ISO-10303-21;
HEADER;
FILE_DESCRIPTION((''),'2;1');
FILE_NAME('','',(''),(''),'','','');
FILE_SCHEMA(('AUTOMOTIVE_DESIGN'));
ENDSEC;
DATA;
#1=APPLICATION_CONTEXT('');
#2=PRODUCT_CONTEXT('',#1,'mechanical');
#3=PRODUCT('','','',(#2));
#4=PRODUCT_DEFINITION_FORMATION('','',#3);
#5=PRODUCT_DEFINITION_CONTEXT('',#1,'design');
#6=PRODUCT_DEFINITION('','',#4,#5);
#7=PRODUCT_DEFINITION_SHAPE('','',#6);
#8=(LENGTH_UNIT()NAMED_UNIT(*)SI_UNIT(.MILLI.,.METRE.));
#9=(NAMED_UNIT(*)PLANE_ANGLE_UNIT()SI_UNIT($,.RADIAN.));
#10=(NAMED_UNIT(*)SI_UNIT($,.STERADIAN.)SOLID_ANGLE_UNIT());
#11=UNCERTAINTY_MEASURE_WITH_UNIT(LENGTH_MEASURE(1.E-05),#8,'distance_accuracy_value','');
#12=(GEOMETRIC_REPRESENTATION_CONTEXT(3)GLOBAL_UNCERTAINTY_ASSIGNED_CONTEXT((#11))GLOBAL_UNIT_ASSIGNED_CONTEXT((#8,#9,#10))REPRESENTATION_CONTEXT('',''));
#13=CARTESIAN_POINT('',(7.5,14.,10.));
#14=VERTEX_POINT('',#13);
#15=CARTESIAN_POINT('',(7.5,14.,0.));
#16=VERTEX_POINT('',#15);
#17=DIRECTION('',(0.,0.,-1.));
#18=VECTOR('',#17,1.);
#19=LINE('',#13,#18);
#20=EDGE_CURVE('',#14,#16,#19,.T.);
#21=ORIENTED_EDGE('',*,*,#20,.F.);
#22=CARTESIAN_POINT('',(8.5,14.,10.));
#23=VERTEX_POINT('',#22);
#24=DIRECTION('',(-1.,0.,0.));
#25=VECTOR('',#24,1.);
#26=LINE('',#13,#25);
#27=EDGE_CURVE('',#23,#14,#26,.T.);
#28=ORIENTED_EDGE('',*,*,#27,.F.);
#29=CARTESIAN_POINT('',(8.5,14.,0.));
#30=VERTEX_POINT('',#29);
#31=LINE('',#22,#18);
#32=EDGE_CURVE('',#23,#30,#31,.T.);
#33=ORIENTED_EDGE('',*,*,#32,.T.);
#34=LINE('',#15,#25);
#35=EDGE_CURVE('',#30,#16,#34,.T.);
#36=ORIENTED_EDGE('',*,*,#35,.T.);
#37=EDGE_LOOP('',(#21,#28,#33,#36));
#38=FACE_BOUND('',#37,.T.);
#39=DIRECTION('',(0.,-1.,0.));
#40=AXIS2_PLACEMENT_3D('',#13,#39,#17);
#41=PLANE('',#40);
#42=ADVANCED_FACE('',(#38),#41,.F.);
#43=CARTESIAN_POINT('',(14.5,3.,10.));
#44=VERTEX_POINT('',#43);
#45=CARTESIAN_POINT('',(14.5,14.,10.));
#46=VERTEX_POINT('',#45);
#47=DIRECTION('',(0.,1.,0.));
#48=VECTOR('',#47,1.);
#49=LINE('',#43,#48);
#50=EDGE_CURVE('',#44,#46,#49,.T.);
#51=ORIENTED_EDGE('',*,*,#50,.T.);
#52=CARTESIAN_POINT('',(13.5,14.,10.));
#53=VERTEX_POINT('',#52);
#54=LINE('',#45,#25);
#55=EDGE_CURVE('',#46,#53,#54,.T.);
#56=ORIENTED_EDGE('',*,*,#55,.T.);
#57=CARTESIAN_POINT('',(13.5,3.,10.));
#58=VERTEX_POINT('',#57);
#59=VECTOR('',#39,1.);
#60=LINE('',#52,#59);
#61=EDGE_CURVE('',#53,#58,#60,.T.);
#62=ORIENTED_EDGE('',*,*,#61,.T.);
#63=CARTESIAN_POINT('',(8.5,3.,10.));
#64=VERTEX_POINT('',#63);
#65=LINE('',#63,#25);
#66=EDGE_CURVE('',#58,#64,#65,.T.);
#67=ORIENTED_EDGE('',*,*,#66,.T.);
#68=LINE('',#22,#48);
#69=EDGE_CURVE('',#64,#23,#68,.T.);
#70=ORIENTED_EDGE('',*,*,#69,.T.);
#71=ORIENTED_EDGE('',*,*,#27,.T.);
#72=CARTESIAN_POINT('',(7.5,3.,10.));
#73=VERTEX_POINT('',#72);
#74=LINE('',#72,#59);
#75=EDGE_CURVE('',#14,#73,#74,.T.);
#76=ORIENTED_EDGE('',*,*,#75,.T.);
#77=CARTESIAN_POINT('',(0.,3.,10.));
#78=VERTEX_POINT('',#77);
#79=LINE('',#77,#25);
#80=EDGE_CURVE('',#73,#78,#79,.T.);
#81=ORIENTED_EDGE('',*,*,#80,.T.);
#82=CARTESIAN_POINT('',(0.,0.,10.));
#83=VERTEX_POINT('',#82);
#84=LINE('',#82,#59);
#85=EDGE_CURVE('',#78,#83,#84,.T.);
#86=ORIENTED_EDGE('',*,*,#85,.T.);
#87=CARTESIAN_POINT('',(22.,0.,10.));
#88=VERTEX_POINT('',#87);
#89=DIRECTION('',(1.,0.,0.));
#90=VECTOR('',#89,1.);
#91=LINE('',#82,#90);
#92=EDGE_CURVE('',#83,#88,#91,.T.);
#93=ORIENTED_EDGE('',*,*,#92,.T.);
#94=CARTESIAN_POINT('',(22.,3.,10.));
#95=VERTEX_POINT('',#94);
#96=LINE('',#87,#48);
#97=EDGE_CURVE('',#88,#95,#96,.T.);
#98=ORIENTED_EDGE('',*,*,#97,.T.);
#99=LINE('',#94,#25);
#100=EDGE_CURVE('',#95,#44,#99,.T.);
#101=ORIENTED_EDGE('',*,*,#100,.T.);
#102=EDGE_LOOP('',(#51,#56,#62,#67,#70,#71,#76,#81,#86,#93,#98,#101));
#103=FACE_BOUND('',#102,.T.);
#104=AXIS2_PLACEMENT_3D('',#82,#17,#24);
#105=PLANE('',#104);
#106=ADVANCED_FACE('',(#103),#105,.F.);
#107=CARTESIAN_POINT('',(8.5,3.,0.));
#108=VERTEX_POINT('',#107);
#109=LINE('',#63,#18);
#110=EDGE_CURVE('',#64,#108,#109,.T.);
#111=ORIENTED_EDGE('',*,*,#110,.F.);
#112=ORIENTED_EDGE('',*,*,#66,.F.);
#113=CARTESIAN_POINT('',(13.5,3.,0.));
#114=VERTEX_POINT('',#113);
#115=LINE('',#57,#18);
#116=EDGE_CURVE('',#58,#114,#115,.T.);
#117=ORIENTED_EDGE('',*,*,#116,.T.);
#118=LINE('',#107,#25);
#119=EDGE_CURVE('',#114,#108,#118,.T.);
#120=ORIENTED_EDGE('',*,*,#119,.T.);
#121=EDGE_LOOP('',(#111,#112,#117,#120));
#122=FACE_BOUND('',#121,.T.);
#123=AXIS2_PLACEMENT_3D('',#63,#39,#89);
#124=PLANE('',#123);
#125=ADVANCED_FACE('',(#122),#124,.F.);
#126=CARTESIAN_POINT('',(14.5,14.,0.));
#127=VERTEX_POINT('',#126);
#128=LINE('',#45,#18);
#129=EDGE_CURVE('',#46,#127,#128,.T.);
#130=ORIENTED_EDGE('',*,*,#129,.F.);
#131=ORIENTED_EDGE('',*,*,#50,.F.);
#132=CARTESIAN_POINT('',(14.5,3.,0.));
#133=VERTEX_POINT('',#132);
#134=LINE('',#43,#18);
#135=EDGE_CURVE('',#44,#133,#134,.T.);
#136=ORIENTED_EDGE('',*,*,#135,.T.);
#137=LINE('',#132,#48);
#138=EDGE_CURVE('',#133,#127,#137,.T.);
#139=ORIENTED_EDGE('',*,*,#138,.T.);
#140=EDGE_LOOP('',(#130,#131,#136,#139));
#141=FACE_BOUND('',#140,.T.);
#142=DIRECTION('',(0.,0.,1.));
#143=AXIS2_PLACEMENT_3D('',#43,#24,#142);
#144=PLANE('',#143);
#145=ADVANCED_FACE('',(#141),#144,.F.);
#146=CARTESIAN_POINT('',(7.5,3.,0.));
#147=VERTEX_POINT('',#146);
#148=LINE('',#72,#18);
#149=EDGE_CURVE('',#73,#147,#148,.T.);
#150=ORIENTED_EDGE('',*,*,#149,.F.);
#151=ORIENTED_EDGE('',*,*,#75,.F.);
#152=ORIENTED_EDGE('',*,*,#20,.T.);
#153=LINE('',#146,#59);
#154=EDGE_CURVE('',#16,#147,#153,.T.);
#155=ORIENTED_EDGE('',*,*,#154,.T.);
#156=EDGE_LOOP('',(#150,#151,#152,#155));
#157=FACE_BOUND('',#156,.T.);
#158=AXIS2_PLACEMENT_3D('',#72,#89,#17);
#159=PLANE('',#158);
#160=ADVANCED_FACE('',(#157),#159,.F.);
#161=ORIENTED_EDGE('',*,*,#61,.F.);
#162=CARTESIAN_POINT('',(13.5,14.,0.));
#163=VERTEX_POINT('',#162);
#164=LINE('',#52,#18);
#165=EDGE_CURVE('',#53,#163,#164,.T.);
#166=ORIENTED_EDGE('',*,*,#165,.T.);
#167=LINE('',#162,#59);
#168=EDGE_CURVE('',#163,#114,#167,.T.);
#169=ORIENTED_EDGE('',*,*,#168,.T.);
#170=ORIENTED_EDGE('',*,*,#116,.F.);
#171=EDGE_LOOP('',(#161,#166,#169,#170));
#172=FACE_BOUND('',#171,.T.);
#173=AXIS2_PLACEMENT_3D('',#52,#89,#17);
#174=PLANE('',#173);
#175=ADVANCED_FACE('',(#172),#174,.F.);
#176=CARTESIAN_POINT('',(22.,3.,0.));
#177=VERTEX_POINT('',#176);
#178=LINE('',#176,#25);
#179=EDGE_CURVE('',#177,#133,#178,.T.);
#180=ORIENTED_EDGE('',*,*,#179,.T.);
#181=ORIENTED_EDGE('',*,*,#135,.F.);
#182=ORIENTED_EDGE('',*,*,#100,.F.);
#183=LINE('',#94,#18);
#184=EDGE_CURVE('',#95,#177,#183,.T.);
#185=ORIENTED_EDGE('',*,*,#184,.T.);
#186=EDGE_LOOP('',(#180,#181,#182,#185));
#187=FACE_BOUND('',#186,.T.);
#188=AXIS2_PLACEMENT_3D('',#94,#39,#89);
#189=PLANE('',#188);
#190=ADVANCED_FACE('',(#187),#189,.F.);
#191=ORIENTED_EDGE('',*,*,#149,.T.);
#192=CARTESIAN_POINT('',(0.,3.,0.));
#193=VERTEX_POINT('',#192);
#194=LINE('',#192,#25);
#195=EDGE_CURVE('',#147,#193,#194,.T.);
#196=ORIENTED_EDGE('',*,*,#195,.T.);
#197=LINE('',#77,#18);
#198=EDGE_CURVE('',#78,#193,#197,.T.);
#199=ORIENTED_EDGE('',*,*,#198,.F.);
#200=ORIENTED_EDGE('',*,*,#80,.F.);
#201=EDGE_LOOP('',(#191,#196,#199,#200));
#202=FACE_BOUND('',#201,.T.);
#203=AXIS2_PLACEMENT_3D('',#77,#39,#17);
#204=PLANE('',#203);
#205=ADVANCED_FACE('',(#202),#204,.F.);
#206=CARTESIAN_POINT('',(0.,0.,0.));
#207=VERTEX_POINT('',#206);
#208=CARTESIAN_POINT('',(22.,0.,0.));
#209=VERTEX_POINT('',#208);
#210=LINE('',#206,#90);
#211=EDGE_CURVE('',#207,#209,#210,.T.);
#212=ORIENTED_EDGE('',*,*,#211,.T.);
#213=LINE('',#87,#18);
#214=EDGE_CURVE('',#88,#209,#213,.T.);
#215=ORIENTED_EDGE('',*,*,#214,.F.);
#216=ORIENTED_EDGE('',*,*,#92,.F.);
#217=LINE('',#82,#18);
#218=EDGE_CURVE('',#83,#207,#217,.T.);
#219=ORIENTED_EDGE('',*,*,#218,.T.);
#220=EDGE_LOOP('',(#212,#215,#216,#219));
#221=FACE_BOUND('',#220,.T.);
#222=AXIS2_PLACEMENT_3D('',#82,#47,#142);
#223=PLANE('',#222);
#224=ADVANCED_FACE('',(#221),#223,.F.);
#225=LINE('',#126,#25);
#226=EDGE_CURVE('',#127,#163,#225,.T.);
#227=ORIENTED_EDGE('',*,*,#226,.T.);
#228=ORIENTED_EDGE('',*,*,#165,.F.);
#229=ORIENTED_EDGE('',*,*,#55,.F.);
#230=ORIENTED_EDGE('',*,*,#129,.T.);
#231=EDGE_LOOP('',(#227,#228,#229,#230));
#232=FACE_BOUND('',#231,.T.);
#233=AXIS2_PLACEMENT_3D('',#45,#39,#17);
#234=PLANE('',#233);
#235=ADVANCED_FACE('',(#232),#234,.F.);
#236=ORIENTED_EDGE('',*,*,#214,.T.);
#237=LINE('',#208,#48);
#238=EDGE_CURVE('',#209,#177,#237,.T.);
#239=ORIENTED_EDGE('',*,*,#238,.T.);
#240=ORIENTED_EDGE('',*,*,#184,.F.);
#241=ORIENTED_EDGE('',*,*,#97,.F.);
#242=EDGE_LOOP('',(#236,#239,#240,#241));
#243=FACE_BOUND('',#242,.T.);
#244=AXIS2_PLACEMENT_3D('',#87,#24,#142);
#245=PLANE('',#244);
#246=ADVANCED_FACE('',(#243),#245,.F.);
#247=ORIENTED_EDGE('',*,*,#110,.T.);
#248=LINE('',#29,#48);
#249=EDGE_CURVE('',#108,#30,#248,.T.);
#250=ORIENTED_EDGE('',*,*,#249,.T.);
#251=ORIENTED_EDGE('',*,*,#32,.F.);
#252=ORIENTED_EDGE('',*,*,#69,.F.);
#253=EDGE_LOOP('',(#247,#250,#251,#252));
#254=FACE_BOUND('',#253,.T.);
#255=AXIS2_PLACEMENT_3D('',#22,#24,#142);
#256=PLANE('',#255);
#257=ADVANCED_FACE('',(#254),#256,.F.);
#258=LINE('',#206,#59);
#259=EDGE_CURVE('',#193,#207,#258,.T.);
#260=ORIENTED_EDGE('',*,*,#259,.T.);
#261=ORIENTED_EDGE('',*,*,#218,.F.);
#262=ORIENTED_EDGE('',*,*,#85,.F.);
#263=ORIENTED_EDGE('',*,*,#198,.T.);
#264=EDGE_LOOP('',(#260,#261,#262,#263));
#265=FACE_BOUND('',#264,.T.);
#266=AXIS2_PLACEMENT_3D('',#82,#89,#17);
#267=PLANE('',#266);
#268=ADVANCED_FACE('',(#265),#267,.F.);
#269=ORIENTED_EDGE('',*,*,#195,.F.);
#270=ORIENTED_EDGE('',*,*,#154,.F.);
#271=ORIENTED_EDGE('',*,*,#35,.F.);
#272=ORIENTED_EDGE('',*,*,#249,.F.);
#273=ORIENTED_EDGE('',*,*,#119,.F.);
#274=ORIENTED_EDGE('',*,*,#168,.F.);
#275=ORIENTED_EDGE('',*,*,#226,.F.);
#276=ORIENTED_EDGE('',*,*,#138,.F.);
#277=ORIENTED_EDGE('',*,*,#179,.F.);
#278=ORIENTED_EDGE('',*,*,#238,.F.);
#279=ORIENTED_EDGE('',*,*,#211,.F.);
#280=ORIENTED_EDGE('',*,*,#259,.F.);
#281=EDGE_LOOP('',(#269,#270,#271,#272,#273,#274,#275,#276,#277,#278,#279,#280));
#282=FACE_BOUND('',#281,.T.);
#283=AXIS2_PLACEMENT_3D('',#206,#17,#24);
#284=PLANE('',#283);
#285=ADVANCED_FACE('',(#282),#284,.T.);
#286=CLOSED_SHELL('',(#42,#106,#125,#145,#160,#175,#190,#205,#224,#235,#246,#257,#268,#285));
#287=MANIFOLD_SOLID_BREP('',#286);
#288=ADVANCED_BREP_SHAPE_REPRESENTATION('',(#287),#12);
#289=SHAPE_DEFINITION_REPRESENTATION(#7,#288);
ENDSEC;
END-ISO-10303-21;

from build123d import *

# Parameters (mm, degrees)
EXTRUDE_1_DEPTH = 10


with BuildPart() as part:
    # Эскиз1 → Бобышка-Вытянуть1 (new body)
    with BuildSketch(Plane.XY):
        Polygon((0, 0), (22, 0), (22, 3), (14.5, 3), (14.5, 14), (13.5, 14), (13.5, 3), (8.5, 3), (8.5, 14), (7.5, 14), (7.5, 3), (0, 3), align=None)
    extrude(amount=EXTRUDE_1_DEPTH)


solid = part.part
